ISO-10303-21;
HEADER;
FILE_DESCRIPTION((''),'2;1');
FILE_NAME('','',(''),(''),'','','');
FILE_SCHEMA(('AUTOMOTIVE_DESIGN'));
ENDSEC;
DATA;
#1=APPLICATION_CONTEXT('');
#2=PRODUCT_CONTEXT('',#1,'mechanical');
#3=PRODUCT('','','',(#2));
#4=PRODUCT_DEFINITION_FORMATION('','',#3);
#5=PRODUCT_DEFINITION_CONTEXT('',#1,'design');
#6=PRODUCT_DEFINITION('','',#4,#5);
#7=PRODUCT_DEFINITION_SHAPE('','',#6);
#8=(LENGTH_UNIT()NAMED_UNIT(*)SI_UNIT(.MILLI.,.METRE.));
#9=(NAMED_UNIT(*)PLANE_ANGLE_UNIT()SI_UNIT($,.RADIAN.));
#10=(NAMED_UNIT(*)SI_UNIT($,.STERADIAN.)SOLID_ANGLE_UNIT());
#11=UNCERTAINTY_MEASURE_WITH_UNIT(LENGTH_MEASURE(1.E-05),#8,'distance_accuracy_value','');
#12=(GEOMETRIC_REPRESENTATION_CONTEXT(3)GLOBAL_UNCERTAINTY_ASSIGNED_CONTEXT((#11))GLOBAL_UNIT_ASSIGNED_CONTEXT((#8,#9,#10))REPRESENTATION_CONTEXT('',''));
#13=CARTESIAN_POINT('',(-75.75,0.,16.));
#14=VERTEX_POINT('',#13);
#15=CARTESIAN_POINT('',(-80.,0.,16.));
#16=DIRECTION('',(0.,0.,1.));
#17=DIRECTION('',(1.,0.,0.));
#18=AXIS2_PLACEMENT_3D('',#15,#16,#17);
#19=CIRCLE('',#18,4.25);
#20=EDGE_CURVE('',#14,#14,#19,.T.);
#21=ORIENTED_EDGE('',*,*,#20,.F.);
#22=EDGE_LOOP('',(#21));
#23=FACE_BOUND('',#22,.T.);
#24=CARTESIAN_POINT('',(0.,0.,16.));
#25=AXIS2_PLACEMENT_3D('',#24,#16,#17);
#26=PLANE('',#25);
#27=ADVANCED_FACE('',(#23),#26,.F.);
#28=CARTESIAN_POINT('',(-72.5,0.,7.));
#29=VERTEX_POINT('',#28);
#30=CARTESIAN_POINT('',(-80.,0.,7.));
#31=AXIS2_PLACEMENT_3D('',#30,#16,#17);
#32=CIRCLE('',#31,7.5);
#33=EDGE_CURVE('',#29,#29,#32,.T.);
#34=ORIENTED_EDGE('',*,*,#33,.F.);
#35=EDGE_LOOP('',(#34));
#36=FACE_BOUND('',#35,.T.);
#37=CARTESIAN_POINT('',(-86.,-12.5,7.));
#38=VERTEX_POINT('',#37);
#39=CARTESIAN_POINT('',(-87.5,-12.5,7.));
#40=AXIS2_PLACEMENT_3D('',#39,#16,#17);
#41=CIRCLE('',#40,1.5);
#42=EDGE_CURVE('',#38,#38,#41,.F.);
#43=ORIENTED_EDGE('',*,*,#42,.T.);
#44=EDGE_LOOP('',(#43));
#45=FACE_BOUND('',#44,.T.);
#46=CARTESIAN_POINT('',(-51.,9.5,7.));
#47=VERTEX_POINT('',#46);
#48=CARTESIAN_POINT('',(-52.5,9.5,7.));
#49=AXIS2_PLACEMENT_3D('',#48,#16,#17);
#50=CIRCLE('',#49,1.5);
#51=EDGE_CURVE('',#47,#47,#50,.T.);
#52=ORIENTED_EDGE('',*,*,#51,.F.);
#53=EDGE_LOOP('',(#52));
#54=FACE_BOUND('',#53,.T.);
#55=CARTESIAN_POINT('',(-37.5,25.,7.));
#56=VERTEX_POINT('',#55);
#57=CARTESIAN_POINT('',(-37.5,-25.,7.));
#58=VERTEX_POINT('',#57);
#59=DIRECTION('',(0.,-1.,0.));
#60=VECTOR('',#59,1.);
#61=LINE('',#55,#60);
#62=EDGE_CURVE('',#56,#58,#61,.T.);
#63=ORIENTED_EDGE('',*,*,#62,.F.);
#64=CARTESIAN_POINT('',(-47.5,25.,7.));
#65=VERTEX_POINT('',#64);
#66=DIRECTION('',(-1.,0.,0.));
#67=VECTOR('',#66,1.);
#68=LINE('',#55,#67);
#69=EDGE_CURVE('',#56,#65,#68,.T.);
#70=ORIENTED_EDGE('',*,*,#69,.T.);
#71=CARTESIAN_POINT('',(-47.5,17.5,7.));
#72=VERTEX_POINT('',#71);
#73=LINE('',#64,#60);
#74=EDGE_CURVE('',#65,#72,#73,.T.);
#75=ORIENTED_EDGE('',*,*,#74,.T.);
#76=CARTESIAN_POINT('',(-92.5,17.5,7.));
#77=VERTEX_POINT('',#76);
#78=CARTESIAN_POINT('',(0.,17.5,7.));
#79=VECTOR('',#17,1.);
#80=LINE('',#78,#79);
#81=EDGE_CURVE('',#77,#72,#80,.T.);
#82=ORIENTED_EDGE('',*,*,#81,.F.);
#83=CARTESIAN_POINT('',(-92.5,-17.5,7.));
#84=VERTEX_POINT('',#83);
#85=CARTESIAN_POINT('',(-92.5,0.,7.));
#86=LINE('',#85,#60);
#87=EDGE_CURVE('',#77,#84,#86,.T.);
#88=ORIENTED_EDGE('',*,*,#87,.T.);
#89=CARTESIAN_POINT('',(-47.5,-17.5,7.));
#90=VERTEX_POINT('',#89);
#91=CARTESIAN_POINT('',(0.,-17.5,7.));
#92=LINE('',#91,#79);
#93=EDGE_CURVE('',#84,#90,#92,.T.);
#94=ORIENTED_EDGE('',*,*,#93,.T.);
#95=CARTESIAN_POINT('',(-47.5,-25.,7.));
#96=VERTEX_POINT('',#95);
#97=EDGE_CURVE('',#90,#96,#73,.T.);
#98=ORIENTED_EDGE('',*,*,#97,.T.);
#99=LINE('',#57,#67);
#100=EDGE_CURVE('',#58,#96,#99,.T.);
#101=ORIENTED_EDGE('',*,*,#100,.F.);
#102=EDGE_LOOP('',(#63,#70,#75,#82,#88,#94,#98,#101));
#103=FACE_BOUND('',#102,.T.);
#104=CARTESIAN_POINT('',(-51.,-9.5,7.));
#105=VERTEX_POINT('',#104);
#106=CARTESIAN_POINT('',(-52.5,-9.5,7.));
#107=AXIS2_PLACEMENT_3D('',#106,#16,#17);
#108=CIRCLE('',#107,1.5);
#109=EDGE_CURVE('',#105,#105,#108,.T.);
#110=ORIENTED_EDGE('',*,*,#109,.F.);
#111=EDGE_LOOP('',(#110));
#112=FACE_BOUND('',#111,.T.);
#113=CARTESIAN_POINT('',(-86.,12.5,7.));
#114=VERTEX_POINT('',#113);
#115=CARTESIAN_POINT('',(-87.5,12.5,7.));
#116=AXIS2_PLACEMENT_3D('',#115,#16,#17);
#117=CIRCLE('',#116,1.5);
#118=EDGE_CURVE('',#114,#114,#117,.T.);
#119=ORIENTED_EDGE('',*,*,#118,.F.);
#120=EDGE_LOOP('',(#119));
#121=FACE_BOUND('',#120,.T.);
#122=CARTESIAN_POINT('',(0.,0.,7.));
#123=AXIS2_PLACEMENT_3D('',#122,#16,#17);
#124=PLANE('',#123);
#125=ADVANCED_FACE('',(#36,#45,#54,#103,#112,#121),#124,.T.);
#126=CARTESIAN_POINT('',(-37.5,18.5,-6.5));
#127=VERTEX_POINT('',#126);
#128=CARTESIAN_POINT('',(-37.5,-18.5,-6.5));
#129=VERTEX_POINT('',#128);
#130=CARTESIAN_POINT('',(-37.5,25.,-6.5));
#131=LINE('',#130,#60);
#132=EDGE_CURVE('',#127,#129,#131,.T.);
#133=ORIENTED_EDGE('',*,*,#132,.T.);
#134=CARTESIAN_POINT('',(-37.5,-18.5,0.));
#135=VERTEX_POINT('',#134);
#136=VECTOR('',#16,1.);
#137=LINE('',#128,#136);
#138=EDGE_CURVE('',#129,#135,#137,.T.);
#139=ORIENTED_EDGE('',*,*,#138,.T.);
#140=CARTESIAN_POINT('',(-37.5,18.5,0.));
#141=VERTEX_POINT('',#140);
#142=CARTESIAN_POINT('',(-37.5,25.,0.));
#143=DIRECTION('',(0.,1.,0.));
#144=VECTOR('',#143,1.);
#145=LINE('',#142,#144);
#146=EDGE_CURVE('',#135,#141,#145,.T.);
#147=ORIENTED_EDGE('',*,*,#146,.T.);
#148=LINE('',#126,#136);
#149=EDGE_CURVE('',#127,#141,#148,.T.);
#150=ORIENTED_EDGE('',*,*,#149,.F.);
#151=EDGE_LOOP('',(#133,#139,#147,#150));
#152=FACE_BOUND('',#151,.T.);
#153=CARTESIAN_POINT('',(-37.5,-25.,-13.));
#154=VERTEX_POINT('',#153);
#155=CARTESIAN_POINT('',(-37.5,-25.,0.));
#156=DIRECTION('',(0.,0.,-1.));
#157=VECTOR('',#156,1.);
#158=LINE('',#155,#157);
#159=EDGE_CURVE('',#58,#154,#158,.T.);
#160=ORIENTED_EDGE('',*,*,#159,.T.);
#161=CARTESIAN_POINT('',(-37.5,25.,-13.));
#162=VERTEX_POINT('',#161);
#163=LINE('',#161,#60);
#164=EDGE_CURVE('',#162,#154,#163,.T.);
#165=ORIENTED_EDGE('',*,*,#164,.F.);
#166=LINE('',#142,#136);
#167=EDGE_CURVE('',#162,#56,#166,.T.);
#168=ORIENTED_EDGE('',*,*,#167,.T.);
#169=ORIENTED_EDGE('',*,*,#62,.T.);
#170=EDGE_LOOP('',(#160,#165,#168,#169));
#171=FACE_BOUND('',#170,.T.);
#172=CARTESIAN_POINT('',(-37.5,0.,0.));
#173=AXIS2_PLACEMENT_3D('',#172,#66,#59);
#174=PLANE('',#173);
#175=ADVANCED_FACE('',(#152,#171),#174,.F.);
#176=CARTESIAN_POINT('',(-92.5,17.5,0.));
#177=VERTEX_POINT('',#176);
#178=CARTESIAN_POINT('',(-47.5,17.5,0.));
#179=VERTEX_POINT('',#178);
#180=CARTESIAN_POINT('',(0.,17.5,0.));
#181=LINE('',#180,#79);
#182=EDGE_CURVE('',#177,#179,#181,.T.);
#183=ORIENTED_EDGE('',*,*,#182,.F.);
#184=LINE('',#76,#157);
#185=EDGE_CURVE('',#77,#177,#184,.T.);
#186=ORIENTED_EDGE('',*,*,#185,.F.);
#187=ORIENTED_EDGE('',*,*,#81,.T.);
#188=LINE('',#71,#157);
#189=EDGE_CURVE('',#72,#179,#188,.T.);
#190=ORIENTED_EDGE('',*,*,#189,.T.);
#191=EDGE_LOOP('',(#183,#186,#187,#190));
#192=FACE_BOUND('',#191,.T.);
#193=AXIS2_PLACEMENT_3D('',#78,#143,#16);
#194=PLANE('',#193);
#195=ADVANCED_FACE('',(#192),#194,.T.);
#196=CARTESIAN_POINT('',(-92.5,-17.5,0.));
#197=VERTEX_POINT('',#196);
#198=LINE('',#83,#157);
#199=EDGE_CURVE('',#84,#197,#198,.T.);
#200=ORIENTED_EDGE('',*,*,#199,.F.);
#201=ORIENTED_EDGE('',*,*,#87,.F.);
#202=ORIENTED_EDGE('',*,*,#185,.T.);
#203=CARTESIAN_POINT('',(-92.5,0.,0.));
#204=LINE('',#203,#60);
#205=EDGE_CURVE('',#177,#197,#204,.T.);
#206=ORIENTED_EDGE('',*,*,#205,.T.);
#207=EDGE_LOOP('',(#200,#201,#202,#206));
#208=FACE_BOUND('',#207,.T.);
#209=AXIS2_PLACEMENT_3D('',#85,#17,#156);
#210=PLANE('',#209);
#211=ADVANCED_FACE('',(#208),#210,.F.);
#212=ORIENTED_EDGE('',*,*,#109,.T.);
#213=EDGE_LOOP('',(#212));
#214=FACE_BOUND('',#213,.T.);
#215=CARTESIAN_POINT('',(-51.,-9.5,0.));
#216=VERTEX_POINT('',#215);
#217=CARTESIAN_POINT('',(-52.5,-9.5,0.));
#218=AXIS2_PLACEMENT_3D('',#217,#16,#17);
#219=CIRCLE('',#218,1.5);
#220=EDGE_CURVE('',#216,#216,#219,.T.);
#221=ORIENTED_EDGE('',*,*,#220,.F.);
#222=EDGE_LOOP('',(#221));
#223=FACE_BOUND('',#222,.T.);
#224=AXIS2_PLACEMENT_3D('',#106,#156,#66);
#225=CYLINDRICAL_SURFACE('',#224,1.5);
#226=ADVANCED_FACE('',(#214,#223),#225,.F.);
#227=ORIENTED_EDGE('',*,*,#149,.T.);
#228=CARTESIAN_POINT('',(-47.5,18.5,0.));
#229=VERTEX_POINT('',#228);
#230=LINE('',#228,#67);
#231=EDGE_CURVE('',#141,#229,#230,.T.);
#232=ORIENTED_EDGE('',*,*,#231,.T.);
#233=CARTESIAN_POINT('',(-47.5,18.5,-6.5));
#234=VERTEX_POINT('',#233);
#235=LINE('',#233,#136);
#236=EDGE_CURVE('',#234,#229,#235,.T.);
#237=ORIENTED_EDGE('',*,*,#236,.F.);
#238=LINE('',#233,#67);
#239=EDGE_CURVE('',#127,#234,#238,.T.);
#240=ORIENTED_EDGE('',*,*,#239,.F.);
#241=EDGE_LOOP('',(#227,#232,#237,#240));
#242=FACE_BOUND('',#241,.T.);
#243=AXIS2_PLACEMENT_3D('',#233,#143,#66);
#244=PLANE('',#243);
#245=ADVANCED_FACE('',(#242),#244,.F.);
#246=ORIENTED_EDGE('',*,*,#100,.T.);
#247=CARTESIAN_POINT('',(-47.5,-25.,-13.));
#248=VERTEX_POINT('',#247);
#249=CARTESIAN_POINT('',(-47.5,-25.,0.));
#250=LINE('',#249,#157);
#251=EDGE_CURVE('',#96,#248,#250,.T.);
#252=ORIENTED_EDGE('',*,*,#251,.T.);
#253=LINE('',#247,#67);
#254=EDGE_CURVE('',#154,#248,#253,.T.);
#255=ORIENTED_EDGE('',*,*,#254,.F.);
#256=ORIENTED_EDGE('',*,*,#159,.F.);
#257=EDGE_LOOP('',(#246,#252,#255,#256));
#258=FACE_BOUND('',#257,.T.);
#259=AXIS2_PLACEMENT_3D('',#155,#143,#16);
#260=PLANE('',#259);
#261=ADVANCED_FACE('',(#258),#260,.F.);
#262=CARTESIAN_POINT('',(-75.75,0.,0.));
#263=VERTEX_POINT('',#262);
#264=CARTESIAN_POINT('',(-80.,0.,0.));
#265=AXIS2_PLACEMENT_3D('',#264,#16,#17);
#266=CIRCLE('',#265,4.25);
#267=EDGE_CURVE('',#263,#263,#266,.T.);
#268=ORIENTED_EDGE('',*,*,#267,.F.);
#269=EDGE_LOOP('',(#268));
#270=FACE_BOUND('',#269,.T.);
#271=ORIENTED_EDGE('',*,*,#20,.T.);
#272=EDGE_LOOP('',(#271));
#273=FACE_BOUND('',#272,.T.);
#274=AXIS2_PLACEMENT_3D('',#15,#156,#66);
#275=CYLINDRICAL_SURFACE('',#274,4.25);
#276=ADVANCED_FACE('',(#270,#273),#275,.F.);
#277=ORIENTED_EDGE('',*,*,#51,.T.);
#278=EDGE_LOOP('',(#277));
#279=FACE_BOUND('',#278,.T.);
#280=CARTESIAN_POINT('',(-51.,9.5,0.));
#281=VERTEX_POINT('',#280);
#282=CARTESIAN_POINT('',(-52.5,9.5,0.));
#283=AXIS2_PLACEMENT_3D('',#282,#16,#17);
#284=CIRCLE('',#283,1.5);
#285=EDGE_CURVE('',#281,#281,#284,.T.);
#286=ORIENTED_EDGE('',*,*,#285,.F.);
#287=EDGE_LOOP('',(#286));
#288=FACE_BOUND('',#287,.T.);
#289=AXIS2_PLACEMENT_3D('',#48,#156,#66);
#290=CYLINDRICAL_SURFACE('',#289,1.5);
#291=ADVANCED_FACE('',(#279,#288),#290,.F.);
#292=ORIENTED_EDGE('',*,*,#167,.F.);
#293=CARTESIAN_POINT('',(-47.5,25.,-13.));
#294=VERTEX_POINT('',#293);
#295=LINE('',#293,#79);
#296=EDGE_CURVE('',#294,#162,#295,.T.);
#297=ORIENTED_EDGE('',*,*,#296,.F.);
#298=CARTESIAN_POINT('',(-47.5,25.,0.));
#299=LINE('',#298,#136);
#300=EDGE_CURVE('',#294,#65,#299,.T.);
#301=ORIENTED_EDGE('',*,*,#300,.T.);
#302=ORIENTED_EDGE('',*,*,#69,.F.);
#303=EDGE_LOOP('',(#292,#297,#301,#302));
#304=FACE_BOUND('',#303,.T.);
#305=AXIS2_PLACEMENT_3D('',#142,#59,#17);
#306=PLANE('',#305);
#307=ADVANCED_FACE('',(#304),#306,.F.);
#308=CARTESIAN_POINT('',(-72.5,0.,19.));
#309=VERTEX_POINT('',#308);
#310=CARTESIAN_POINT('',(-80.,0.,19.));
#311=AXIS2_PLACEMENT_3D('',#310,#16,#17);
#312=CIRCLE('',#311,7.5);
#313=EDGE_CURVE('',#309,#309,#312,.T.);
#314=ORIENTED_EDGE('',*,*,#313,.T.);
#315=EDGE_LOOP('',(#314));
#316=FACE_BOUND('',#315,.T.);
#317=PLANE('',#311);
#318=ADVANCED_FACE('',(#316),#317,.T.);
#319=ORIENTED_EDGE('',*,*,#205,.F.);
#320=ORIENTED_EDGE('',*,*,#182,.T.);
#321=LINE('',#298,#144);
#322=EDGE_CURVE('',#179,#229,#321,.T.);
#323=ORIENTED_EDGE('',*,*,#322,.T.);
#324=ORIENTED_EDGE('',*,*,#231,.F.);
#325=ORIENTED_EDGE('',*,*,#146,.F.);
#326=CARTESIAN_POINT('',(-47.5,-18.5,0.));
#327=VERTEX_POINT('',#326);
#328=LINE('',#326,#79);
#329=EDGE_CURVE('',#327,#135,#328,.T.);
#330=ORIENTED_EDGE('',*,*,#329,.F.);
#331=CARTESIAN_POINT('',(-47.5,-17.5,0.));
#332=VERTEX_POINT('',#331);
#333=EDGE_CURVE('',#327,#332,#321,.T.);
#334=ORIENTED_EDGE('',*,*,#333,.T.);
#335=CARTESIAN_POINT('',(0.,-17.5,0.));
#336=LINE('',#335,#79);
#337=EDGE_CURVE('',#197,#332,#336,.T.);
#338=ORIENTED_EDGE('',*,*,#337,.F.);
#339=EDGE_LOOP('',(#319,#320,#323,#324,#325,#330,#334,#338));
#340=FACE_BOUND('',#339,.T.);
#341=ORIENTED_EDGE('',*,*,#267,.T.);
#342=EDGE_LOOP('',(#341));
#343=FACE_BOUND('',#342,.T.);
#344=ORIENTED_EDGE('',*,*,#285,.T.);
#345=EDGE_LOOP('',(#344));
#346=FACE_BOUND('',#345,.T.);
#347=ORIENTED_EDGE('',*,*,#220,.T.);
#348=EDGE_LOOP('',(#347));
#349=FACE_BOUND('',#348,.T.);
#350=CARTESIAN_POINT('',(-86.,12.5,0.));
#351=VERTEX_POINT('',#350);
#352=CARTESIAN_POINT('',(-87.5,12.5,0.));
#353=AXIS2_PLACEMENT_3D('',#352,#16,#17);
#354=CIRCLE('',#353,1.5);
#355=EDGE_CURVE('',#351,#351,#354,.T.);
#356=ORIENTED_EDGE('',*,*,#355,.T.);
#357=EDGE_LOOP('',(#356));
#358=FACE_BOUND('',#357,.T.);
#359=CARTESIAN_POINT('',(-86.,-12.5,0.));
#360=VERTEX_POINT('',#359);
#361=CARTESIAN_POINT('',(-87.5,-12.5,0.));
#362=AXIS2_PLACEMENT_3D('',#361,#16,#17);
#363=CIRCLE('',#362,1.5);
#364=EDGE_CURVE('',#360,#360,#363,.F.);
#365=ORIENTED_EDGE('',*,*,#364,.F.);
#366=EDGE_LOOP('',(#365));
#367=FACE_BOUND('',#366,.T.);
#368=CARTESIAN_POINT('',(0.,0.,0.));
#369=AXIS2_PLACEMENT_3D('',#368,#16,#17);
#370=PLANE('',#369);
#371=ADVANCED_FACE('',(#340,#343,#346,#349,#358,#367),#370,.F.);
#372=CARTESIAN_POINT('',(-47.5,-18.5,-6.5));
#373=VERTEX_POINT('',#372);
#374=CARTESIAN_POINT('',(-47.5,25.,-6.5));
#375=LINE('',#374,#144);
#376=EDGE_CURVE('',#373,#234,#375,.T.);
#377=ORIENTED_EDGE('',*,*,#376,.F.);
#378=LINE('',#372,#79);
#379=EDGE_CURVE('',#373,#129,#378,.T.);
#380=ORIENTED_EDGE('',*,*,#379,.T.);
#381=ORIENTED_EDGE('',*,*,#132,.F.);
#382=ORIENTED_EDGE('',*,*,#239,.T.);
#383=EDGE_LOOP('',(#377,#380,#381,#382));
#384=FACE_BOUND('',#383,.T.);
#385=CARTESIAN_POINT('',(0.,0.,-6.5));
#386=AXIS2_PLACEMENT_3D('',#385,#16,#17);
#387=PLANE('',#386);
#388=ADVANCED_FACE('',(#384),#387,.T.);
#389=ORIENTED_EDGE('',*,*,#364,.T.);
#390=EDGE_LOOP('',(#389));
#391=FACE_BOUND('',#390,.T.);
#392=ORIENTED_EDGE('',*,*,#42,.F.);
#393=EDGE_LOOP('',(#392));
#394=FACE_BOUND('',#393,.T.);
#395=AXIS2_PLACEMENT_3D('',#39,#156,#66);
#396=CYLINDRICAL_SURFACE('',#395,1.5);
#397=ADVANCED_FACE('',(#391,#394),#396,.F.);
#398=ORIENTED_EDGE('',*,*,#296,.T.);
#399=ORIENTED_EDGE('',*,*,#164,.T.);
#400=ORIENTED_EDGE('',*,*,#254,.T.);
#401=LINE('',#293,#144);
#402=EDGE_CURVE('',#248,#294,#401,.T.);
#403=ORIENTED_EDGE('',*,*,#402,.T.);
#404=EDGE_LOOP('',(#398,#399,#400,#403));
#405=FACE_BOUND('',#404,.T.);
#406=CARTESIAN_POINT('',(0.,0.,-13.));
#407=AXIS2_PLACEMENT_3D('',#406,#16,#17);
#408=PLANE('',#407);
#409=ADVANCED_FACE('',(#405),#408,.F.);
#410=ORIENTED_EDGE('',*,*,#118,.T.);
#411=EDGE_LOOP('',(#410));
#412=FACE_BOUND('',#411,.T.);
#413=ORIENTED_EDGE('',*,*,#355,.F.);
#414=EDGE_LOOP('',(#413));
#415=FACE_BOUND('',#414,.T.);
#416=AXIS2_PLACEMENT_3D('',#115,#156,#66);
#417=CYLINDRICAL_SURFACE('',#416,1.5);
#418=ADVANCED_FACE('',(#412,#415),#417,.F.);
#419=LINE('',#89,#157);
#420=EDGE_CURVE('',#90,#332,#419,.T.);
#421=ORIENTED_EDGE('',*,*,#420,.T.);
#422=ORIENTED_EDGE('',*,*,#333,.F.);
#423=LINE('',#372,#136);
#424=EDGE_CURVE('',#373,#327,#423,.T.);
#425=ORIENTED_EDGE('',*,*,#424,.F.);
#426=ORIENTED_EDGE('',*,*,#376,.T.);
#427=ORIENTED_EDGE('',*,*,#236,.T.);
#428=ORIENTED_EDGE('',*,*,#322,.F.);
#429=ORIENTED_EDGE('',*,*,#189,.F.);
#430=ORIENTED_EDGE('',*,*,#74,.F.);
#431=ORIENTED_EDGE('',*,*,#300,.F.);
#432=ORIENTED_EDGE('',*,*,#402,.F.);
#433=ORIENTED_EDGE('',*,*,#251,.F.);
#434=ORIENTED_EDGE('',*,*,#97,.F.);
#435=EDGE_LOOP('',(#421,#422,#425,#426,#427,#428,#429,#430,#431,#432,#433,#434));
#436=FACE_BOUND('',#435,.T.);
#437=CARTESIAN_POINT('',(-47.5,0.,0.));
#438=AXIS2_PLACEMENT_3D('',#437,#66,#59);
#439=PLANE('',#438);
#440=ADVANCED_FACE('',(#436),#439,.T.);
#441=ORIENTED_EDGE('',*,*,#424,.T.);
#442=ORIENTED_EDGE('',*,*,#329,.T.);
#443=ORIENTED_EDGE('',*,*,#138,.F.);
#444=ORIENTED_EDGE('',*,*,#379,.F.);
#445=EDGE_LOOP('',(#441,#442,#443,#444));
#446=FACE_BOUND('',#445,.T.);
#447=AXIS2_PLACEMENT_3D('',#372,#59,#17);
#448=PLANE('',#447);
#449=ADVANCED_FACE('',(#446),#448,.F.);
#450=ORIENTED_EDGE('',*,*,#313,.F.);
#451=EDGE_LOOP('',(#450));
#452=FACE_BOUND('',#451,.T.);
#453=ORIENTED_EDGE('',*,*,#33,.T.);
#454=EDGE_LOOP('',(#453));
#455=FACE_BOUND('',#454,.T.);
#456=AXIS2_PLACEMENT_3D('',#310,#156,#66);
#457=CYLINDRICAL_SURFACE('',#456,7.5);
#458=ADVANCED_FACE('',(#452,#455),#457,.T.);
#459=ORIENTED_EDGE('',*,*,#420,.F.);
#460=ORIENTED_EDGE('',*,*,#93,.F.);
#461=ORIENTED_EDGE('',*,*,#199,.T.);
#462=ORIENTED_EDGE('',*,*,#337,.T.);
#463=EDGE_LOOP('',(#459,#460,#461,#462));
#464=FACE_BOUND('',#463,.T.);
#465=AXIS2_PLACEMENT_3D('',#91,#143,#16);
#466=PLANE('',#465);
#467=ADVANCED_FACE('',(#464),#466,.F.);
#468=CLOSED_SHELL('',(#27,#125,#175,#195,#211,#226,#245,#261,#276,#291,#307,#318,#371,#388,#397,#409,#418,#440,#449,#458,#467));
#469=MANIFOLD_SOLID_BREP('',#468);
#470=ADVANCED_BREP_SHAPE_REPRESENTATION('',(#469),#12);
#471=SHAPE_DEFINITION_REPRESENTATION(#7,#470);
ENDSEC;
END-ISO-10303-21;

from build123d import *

# Parameters (mm, degrees)
SKETCH1_R           = 1.5
BOSS_EXTRUDE1_DEPTH = 7
SKETCH2_W           = 7
SKETCH2_H           = 50
BOSS_EXTRUDE2_DEPTH = 10
SKETCH3_W           = 10
SKETCH3_H           = 6.5
BOSS_EXTRUDE3_DEPTH = 6.5
SKETCH4_W           = 10
SKETCH4_H           = 50
BOSS_EXTRUDE4_DEPTH = 6.5
SKETCH5_R           = 7.5
BOSS_EXTRUDE5_DEPTH = 12
SKETCH1_3_R         = 4.25
CUT_EXTRUDE1_DEPTH  = 16


with BuildPart() as part:
    # Sketch1 → Boss-Extrude1 (new body)
    with BuildSketch(Plane.XY):
        Polygon((-47.5, 17.5), (-92.5, 17.5), (-92.5, 0), (-92.5, -17.5), (-47.5, -17.5), align=None)
        with Locations((-87.5, -12.5)):
            Circle(SKETCH1_R, mode=Mode.SUBTRACT)
        with Locations((-52.5, -9.5)):
            Circle(SKETCH1_R, mode=Mode.SUBTRACT)
        with Locations((-87.5, 12.5)):
            Circle(SKETCH1_R, mode=Mode.SUBTRACT)
        with Locations((-52.5, 9.5)):
            Circle(SKETCH1_R, mode=Mode.SUBTRACT)
    extrude(amount=BOSS_EXTRUDE1_DEPTH)

    # Sketch2 → Boss-Extrude2 (add)
    with BuildSketch(Plane(origin=(-47.5, 0, 0), x_dir=(0, 0, -1), z_dir=(1, 0, 0))):
        with Locations((-3.5, 0)):
            Rectangle(SKETCH2_W, SKETCH2_H)
    extrude(amount=BOSS_EXTRUDE2_DEPTH)

    # Sketch3 → Boss-Extrude3 (add)
    with BuildSketch(Plane(origin=(0, 0, 0), x_dir=(-1, 0, 0), z_dir=(0, 0, -1))):
        with Locations((42.5, 21.75)):
            Rectangle(SKETCH3_W, SKETCH3_H)
        with Locations((42.5, -21.75)):
            Rectangle(SKETCH3_W, SKETCH3_H)
    extrude(amount=BOSS_EXTRUDE3_DEPTH)

    # Sketch4 → Boss-Extrude4 (add)
    with BuildSketch(Plane(origin=(0, 0, -6.5), x_dir=(-1, 0, 0), z_dir=(0, 0, -1))):
        with Locations((42.5, 0)):
            Rectangle(SKETCH4_W, SKETCH4_H)
    extrude(amount=BOSS_EXTRUDE4_DEPTH)

    # Sketch5 → Boss-Extrude5 (add)
    with BuildSketch(Plane.XY.offset(7)):
        with Locations((-80, 0)):
            Circle(SKETCH5_R)
    extrude(amount=BOSS_EXTRUDE5_DEPTH)

    # Sketch1<3> → Cut-Extrude1 (cut)
    with BuildSketch(Plane.XY):
        with Locations((-80, 0)):
            Circle(SKETCH1_3_R)
    extrude(amount=CUT_EXTRUDE1_DEPTH, mode=Mode.SUBTRACT)


solid = part.part
